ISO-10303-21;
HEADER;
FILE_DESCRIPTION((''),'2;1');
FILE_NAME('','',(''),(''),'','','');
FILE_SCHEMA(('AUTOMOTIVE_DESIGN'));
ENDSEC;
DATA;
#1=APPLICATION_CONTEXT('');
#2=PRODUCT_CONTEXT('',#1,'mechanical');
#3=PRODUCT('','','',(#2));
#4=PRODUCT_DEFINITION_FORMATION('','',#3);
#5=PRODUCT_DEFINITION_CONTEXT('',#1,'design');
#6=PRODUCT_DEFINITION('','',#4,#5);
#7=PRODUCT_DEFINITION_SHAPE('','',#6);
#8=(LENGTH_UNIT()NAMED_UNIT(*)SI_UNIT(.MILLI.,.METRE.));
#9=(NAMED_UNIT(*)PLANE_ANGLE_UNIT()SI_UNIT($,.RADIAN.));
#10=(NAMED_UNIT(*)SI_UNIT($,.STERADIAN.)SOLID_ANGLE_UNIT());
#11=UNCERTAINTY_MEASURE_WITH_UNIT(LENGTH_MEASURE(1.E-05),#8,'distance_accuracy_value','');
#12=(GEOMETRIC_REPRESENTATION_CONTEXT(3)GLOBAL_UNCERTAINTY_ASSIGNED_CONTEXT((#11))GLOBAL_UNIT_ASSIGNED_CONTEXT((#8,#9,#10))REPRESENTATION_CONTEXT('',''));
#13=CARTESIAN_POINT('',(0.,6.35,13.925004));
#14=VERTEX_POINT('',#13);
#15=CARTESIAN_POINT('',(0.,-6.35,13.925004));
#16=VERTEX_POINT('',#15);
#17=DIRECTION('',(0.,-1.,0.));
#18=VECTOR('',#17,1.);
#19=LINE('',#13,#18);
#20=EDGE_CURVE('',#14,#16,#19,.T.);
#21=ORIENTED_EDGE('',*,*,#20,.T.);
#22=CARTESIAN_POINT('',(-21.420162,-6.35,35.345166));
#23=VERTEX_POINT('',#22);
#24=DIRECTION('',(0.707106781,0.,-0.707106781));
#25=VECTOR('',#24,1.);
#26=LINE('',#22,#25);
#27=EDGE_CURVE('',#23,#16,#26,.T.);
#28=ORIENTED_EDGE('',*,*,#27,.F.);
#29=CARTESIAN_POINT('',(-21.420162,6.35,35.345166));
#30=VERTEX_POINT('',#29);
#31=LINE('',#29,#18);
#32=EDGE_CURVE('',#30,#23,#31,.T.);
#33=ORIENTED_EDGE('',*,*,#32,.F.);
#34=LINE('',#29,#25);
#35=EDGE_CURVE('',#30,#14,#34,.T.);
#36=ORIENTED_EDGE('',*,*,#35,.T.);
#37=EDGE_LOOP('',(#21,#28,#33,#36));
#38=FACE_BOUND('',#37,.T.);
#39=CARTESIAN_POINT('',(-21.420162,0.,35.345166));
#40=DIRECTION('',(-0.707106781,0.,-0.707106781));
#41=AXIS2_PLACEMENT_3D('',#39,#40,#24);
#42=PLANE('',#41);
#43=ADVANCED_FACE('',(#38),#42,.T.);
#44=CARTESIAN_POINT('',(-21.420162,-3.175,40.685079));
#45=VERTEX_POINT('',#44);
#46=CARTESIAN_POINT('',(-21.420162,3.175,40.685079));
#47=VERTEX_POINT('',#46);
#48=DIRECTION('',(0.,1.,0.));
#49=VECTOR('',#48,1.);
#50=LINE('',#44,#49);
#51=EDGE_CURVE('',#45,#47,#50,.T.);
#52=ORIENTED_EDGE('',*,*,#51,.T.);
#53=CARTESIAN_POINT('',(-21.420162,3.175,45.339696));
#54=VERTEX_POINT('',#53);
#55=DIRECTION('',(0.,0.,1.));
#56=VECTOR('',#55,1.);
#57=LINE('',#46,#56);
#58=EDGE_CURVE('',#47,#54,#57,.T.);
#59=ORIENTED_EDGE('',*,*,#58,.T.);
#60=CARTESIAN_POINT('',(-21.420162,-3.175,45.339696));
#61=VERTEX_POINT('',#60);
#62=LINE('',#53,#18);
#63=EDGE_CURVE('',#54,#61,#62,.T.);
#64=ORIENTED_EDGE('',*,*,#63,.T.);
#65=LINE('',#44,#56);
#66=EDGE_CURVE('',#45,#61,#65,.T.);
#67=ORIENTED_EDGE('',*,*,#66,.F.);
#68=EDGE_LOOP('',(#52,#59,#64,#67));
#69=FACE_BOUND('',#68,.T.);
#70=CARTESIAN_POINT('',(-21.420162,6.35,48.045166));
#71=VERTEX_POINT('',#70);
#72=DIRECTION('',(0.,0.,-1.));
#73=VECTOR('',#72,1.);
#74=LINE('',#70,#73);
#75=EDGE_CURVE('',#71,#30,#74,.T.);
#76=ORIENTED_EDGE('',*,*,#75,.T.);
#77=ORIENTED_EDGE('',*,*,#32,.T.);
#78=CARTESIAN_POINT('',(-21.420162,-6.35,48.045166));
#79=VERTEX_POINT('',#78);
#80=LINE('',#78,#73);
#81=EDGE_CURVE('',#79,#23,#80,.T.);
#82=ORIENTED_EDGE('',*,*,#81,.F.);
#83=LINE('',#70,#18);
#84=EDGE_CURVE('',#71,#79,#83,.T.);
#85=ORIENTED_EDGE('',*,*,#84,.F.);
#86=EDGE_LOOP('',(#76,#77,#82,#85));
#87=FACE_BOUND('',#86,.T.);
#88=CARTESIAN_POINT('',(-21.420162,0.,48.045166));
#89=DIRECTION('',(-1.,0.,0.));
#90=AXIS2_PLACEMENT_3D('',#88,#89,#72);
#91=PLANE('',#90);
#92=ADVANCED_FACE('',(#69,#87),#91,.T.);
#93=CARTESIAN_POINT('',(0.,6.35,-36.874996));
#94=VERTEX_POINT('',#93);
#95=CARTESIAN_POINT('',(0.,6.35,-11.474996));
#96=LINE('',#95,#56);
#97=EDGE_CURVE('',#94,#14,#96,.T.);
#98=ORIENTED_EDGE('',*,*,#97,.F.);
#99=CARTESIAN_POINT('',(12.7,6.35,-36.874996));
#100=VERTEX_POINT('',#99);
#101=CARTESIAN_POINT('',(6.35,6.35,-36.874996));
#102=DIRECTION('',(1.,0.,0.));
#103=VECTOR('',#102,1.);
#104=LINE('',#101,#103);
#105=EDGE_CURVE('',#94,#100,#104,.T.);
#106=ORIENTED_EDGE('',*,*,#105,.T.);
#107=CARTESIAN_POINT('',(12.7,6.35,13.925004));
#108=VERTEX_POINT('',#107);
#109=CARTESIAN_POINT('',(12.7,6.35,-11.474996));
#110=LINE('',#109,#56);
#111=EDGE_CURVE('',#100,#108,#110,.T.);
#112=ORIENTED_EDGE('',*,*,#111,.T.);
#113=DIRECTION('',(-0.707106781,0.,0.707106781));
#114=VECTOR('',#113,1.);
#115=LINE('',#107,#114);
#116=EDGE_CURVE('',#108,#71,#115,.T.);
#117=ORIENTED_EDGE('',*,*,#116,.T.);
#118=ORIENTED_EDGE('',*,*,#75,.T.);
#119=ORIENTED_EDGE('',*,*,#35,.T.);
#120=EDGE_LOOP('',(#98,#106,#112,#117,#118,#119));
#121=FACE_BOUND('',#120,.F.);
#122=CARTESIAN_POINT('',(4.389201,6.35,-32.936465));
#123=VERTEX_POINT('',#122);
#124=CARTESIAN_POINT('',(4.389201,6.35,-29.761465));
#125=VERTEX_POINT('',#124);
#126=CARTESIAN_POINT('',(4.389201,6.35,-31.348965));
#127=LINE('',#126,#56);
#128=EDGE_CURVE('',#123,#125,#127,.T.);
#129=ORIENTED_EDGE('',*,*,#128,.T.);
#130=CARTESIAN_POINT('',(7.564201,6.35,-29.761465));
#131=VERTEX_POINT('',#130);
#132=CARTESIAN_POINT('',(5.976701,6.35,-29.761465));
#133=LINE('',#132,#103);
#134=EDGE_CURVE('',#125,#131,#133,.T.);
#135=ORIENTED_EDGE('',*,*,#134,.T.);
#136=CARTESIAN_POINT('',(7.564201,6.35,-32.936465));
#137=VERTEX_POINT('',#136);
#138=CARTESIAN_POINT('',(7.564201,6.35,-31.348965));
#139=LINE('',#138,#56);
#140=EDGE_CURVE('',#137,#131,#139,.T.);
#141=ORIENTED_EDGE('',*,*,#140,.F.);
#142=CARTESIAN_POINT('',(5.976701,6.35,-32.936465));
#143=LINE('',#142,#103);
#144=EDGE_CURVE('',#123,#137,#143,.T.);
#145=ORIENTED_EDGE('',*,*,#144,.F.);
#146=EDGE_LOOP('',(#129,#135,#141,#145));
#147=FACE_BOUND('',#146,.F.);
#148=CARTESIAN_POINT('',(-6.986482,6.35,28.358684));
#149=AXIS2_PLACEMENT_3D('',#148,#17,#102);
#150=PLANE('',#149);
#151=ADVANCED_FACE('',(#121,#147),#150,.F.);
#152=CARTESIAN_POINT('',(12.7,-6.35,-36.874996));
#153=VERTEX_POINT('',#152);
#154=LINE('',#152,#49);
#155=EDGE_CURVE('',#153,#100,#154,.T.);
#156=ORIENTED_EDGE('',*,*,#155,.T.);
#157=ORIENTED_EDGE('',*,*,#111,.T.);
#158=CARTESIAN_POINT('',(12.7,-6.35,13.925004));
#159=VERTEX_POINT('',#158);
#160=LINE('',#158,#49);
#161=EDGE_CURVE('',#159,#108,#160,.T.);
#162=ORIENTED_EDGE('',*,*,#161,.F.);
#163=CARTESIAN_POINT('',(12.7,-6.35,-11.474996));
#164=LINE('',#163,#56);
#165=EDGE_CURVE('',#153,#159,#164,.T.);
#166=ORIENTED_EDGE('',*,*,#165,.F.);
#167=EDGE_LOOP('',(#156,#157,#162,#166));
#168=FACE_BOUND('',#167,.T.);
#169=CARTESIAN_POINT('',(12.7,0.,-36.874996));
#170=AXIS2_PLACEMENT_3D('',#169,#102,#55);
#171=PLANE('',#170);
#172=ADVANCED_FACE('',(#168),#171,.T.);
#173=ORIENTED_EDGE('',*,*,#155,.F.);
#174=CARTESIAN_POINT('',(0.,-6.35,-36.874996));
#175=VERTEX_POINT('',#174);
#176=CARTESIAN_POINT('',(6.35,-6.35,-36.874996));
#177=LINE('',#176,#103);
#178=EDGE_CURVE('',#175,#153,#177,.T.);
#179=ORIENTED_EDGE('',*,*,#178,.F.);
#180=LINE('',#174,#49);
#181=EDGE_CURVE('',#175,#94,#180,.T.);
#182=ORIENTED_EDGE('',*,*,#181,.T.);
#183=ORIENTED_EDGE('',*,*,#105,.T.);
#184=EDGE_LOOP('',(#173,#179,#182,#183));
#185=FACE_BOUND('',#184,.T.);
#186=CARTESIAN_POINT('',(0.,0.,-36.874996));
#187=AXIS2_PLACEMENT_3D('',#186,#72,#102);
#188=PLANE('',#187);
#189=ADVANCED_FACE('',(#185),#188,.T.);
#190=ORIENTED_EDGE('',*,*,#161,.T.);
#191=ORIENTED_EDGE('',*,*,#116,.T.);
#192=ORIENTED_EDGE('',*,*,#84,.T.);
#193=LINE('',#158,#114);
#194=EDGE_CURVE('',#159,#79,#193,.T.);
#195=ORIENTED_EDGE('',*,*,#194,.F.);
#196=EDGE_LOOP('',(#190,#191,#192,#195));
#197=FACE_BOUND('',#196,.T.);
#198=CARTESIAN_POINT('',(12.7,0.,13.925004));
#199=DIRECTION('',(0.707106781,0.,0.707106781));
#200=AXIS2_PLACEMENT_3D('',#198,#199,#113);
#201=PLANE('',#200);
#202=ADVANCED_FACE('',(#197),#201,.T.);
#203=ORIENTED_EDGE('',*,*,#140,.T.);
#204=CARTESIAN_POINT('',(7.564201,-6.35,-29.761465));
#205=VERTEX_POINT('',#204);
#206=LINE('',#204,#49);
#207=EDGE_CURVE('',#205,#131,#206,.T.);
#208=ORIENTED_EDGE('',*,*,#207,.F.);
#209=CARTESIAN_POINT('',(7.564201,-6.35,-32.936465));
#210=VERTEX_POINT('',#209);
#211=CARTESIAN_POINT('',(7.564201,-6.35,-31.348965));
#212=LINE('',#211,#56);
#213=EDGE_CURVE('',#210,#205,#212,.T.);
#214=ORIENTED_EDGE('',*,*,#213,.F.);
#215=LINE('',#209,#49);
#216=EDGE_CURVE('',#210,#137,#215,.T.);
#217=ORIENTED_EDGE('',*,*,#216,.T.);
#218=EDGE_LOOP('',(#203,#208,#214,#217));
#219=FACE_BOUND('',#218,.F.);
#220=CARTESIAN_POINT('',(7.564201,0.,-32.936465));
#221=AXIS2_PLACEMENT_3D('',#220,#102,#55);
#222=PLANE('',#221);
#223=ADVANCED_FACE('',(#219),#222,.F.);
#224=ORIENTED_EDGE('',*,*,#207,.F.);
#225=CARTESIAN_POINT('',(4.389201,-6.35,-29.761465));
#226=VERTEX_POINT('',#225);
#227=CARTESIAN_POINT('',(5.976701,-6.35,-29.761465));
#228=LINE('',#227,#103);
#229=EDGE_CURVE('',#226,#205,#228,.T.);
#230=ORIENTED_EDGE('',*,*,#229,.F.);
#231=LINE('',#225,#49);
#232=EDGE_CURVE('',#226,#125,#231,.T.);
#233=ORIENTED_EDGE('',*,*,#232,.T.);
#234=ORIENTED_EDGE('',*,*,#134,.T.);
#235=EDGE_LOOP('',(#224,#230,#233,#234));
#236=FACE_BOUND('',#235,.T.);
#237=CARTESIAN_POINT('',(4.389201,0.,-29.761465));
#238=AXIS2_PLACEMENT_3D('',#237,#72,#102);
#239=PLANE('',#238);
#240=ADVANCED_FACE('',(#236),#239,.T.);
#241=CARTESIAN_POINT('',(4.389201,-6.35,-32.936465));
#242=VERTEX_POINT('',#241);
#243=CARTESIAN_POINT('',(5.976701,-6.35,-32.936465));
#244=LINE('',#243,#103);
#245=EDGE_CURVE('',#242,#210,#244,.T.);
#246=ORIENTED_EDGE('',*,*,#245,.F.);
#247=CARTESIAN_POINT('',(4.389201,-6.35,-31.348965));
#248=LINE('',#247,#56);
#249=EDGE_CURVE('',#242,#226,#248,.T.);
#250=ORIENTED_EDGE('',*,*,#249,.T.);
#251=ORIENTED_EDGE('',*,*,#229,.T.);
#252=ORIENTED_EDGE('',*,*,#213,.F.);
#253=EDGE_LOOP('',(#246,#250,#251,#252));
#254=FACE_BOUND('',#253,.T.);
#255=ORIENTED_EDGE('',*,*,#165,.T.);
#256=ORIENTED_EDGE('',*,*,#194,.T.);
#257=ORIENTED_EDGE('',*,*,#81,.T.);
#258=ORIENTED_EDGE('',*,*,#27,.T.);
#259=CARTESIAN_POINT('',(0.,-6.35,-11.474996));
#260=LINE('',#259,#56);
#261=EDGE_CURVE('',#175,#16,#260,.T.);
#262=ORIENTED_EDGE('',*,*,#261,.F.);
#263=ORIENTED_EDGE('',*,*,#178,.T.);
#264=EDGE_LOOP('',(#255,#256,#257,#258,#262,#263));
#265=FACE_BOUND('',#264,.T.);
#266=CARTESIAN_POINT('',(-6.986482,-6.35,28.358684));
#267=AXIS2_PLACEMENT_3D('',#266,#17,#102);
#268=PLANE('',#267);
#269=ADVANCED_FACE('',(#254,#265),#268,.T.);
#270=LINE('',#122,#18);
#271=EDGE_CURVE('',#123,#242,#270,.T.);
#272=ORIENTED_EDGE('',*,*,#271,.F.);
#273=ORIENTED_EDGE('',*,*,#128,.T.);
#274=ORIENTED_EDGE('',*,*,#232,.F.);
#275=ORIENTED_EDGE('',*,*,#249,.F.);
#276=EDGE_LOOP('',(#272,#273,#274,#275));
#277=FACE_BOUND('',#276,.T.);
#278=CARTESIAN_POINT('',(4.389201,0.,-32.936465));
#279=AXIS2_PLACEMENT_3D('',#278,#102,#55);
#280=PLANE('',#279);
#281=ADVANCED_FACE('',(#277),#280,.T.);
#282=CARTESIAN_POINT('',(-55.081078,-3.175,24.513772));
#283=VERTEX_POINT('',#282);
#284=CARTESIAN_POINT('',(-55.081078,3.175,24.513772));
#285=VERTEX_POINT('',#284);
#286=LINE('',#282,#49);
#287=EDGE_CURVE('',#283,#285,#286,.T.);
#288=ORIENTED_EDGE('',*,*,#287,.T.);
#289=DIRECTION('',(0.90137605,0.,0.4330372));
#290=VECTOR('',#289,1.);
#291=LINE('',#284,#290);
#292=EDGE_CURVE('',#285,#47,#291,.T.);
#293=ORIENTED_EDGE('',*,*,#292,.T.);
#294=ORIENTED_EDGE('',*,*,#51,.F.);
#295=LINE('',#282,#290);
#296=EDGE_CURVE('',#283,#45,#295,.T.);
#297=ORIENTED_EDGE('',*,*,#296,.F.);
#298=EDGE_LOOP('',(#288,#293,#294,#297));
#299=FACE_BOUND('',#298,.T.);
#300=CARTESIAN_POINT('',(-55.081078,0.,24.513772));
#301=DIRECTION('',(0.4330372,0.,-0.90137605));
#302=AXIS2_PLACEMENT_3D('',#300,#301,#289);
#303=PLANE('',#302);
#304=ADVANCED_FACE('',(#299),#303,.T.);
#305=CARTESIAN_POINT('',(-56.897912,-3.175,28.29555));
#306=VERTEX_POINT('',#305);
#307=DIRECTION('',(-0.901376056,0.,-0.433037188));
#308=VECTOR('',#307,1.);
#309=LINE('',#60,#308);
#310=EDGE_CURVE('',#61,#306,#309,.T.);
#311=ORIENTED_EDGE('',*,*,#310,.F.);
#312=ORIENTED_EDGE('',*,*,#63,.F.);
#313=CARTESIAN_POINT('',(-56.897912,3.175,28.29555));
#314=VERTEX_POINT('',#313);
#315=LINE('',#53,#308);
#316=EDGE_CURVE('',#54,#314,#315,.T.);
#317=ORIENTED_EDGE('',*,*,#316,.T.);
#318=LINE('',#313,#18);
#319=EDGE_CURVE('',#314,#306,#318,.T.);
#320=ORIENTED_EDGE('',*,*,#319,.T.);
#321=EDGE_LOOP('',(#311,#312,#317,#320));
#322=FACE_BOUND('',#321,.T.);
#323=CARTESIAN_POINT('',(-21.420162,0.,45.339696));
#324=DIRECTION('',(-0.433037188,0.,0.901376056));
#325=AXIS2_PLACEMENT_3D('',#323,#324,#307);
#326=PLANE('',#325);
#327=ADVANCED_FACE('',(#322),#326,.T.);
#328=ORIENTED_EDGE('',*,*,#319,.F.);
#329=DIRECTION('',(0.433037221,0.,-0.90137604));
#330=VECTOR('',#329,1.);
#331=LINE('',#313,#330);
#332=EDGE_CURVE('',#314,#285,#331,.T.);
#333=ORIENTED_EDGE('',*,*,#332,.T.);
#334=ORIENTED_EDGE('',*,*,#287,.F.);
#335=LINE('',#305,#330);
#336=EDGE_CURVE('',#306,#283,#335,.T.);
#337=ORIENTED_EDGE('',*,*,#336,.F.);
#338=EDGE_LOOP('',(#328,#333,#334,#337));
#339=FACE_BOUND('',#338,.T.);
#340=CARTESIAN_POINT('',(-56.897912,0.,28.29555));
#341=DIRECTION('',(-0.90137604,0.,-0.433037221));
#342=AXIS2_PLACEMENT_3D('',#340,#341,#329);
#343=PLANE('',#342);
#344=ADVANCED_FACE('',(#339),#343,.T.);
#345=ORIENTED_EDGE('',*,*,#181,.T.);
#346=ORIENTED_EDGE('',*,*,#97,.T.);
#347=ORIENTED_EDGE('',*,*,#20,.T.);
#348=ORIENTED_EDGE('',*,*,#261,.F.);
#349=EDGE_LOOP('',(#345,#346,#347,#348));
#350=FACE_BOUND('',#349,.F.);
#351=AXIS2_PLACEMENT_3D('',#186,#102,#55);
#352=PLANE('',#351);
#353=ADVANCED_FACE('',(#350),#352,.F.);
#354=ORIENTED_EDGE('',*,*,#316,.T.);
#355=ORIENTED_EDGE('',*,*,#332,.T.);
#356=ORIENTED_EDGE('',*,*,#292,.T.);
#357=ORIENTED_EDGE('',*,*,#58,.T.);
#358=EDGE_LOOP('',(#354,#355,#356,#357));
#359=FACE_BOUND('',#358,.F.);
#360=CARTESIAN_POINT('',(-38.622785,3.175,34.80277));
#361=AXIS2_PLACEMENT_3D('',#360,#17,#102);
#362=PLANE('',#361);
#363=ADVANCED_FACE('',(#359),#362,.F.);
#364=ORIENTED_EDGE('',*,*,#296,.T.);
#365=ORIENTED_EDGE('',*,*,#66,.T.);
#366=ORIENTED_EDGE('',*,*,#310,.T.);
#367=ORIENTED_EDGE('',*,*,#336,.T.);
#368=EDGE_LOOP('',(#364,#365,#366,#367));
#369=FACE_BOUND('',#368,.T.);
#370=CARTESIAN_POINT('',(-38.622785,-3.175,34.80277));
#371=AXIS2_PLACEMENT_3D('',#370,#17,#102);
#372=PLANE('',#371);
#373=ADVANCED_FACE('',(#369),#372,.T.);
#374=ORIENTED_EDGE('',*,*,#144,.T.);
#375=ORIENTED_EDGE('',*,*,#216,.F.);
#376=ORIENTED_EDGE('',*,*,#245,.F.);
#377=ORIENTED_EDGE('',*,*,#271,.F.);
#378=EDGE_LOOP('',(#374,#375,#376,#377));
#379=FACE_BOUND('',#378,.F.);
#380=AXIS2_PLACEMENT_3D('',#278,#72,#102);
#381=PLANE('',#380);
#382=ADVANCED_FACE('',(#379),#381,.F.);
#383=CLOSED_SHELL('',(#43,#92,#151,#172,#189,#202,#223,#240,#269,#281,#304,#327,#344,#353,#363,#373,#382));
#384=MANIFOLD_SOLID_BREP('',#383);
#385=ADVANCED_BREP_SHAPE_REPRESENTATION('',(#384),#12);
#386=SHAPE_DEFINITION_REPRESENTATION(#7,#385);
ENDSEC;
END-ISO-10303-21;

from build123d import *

# Parameters (mm, degrees)
F0_W     = 12.7
F0_H     = 50.8
F0_W_2   = 3.175
F0_H_2   = 3.175
F1_DEPTH = 6.35
F2_DEPTH = 3.175


with BuildPart() as f1:
    # F0 (on Front) → F1 (new body, symmetric)
    with BuildSketch(Plane.XZ):
        Polygon((0, 13.925004), (12.7, 13.925004), (-21.420162, 48.045166), (-21.420162, 45.339696), (-21.420162, 40.685079), (-21.420162, 35.345166), align=None)
        with Locations((6.35, -11.474996)):
            Rectangle(F0_W, F0_H)
        with Locations((5.976701, -31.348965)):
            Rectangle(F0_W_2, F0_H_2, mode=Mode.SUBTRACT)
    extrude(amount=F1_DEPTH, both=True)

    # F0 (on Front) → F2 (join, symmetric)
    with BuildSketch(Plane.XZ):
        Polygon((-21.420162, 40.685079), (-21.420162, 45.339696), (-56.897912, 28.29555), (-55.081078, 24.513772), align=None)
    extrude(amount=F2_DEPTH, both=True)


solid = f1.part
